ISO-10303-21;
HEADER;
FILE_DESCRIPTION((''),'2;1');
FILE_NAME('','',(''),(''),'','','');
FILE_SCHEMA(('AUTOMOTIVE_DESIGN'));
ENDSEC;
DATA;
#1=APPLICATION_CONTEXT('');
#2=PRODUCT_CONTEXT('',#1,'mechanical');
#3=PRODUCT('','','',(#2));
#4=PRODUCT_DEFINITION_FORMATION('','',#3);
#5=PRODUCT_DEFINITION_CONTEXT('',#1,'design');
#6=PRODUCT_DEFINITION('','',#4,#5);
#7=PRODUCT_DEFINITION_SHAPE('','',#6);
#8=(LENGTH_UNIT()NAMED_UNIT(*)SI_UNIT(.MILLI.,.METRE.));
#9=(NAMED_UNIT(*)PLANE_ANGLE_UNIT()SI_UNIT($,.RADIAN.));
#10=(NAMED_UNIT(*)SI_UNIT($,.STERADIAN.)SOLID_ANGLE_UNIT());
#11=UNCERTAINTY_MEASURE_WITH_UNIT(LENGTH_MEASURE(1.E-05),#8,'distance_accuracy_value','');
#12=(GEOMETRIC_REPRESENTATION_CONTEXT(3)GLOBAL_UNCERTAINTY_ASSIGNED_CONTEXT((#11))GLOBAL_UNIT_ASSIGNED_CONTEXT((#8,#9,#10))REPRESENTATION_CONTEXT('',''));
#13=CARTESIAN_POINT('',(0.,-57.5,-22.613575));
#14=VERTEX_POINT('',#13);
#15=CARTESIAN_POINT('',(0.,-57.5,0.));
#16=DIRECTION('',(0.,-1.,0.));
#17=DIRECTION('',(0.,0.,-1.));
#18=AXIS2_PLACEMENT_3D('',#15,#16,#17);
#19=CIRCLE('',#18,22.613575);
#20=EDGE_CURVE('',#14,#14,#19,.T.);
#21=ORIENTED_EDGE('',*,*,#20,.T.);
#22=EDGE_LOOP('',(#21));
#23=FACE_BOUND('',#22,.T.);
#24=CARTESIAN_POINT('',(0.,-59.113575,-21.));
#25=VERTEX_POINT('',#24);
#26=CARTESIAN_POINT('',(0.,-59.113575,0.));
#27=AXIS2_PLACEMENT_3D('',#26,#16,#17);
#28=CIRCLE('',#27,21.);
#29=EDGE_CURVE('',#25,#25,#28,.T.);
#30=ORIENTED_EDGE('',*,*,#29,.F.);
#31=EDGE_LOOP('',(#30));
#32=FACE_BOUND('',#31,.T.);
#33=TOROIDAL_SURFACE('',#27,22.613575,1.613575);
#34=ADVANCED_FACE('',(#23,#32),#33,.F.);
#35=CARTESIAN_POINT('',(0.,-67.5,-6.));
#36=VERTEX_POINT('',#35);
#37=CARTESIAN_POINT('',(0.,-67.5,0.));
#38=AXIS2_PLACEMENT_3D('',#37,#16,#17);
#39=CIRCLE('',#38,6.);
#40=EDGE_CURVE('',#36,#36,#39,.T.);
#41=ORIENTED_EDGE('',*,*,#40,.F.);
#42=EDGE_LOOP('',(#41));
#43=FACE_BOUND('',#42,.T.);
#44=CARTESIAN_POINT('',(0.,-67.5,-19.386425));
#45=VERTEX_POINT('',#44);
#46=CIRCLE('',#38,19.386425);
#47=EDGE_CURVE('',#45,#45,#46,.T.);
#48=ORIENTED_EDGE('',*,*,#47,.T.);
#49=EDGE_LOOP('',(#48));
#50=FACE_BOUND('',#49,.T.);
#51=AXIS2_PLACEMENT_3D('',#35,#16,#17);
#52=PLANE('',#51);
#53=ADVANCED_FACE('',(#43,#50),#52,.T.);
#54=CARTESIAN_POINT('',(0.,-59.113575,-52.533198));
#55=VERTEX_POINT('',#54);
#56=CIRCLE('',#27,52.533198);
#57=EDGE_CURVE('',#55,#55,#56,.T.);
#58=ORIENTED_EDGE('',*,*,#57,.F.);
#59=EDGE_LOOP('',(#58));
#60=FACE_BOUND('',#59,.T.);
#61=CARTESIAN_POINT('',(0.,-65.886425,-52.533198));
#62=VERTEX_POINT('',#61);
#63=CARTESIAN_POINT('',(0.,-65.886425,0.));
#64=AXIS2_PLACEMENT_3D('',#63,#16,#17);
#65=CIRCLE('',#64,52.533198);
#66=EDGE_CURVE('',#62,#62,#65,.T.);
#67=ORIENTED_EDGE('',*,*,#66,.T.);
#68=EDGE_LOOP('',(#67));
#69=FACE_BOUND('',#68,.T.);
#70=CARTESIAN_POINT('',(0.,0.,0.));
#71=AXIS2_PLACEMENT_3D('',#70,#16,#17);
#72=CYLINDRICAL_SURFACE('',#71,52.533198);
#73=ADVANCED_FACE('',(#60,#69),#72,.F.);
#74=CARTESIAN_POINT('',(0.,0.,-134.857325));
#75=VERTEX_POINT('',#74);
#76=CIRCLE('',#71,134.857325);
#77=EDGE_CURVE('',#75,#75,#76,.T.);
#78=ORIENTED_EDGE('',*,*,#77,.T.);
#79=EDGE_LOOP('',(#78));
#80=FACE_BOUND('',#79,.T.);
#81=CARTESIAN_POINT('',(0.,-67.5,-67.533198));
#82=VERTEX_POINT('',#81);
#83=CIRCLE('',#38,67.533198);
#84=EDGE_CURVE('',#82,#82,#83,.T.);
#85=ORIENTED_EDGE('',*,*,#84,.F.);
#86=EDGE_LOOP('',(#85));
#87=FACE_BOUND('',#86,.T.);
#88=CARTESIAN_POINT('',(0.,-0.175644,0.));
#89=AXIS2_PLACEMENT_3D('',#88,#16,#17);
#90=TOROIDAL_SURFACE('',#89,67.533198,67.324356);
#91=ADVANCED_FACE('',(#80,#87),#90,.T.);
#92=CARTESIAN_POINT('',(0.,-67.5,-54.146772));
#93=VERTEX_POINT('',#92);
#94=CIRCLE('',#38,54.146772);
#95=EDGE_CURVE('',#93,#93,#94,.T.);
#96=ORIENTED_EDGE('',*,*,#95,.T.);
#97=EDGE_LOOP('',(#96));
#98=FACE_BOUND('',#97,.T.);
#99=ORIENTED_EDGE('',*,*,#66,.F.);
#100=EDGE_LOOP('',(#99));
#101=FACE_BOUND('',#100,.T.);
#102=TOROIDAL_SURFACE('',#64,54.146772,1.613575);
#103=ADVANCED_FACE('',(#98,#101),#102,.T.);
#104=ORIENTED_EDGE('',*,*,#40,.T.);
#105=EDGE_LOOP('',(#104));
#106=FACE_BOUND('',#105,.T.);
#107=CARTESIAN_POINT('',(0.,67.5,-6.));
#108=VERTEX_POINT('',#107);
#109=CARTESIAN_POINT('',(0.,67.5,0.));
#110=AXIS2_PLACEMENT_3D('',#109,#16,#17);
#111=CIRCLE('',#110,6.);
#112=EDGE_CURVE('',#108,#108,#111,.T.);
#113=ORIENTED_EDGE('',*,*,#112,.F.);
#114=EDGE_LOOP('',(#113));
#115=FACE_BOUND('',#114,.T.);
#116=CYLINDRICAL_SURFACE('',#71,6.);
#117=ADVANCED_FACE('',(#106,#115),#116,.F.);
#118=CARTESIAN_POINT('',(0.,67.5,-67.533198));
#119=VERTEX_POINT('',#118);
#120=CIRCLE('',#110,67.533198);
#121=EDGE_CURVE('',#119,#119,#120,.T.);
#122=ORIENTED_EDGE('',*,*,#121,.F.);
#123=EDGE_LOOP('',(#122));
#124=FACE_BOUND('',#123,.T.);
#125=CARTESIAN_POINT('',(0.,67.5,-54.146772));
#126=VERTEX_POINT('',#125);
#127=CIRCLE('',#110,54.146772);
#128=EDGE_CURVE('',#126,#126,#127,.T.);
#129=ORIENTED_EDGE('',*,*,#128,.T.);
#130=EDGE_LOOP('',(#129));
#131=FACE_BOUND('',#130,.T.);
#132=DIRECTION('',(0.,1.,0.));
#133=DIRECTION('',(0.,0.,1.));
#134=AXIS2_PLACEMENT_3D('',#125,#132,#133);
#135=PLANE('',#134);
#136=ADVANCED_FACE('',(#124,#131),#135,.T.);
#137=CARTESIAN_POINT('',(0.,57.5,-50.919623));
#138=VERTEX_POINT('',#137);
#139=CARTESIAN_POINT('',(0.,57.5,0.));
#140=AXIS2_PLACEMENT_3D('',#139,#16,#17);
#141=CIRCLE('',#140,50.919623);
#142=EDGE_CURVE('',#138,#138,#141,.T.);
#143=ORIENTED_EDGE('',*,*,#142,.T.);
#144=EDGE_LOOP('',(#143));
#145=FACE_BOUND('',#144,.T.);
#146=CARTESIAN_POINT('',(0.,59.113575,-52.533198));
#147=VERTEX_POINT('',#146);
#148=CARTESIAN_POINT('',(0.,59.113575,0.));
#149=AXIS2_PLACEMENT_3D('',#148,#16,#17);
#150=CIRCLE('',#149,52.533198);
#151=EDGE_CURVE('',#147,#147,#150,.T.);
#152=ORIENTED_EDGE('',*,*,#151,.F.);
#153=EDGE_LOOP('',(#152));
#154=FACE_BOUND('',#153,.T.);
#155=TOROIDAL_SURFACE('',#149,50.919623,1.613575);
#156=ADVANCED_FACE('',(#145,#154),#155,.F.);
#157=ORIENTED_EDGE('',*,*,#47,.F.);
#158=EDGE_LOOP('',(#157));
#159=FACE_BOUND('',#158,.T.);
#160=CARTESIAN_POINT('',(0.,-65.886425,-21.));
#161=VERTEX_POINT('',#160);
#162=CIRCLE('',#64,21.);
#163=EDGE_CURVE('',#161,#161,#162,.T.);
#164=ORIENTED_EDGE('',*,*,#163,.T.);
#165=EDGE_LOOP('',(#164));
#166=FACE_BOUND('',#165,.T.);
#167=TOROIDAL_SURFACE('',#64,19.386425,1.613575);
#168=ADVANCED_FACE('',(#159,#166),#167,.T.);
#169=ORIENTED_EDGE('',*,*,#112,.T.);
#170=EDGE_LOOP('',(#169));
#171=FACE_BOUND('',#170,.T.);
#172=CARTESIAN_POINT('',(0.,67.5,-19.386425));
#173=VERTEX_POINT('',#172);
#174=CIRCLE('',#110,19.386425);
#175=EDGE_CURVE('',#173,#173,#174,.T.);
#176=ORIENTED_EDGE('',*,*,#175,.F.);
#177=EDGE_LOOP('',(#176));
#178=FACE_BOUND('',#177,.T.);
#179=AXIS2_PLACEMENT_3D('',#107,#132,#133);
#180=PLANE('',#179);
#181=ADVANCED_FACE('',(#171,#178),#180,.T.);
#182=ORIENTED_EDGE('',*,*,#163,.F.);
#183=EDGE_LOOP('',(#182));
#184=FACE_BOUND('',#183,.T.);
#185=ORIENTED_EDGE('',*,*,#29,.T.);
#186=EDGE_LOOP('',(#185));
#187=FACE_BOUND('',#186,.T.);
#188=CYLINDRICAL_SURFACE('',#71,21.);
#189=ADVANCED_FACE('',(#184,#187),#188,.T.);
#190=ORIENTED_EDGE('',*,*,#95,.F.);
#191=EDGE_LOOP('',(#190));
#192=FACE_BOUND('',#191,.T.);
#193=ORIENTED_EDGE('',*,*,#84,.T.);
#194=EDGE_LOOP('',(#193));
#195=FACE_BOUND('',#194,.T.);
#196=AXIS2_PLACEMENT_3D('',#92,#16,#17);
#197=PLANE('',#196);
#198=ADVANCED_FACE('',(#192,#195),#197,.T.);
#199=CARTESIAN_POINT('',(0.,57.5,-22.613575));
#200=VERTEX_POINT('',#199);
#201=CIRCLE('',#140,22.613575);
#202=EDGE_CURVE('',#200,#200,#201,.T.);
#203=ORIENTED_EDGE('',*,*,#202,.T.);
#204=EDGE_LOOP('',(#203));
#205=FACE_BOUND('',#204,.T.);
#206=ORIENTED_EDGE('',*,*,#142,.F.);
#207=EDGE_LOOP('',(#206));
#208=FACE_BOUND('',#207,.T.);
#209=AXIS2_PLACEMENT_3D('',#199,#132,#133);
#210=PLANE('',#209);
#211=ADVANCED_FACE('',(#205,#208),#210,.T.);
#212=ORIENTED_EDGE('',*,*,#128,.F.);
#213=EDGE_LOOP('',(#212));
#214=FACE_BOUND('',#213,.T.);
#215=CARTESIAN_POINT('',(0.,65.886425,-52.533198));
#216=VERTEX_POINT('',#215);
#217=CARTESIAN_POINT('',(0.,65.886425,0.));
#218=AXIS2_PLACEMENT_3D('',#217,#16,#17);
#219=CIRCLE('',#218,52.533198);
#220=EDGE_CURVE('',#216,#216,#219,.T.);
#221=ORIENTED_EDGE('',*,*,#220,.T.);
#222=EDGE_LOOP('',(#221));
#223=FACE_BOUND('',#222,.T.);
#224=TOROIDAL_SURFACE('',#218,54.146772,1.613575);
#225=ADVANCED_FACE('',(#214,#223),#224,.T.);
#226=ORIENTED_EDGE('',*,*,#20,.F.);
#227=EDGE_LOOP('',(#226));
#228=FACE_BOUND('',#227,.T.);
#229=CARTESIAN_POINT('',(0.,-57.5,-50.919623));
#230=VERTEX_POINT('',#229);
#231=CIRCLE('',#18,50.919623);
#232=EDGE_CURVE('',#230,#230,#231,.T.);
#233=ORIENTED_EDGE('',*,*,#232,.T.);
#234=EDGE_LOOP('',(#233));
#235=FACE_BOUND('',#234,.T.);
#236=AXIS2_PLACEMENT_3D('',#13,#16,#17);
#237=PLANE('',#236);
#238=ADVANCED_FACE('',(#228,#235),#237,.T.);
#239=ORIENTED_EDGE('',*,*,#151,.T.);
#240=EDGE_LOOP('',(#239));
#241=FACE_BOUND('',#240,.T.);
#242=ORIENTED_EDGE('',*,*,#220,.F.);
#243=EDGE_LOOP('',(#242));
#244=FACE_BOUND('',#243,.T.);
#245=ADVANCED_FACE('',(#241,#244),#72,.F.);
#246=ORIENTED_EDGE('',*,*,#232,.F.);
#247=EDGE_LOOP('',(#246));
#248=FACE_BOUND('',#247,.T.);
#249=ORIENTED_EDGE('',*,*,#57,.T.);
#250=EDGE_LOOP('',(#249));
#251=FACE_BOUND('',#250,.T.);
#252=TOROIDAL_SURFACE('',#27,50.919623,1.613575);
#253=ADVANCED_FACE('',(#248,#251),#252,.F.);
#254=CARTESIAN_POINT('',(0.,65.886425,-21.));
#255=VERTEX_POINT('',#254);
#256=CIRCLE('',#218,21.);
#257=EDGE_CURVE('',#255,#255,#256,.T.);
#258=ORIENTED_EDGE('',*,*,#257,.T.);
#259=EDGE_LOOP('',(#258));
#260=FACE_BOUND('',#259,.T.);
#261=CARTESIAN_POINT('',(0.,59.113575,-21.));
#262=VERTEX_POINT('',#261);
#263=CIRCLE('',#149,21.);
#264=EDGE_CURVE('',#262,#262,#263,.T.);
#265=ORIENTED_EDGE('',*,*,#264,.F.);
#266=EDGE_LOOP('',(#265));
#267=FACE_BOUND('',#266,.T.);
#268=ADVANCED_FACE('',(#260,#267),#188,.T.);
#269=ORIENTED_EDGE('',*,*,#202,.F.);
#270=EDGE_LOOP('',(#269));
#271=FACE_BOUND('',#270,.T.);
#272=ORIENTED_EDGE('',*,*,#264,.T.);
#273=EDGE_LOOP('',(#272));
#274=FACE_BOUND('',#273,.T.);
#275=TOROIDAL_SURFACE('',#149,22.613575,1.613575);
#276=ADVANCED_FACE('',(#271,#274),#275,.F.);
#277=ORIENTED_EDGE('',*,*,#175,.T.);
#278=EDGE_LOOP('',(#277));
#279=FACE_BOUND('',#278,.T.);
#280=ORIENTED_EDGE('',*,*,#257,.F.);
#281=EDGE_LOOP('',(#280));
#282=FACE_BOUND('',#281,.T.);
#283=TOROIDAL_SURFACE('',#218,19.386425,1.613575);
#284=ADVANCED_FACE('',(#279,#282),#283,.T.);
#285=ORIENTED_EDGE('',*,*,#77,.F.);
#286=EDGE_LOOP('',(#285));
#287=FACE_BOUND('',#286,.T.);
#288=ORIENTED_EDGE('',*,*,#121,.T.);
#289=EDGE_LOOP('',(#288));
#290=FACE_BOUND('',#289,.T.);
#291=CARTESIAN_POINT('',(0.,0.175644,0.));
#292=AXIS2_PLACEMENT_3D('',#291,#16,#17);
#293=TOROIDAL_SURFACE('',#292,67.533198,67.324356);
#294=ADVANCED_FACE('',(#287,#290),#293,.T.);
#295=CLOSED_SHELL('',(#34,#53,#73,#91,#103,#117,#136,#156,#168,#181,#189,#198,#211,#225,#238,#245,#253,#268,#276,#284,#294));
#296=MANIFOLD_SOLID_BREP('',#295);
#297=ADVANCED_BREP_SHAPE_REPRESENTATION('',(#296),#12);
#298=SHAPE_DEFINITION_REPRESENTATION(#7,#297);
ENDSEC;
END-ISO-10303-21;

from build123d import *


with BuildPart() as part:
    # Sketch3 → Revolve1 (revolve)
    with BuildSketch(Plane(origin=(0, 0, 0), x_dir=(0, 0, -1), z_dir=(1, 0, 0))):
        with BuildLine():
            Line((6, -67.5), (6, 67.5))
            Line((6, 67.5), (19.386425262, 67.5))
            ThreePointArc((19.386425262, 67.5), (20.527394901, 67.027394901), (21, 65.886425262))
            Line((21, 65.886425262), (21, 59.113574738))
            ThreePointArc((21, 59.113574738), (21.472605099, 57.972605099), (22.613574738, 57.5))
            Line((22.613574738, 57.5), (50.919622929, 57.5))
            ThreePointArc((50.919622929, 57.5), (52.060592569, 57.972605099), (52.533197668, 59.113574738))
            Line((52.533197668, 59.113574738), (52.533197668, 65.886425262))
            ThreePointArc((52.533197668, 65.886425262), (53.005802767, 67.027394901), (54.146772406, 67.5))
            Line((54.146772406, 67.5), (67.533197668, 67.5))
            ThreePointArc((67.533197668, 67.5), (115.200765467, 47.719012588), (134.857324693, 0))
            ThreePointArc((134.857324693, 0), (115.200765467, -47.719012588), (67.533197668, -67.5))
            Line((67.533197668, -67.5), (54.146772406, -67.5))
            ThreePointArc((54.146772406, -67.5), (53.005802767, -67.027394901), (52.533197668, -65.886425262))
            Line((52.533197668, -65.886425262), (52.533197668, -59.113574738))
            ThreePointArc((52.533197668, -59.113574738), (52.060592569, -57.972605099), (50.919622929, -57.5))
            Line((50.919622929, -57.5), (22.613574738, -57.5))
            ThreePointArc((22.613574738, -57.5), (21.472605099, -57.972605099), (21, -59.113574738))
            Line((21, -59.113574738), (21, -65.886425262))
            ThreePointArc((21, -65.886425262), (20.527394901, -67.027394901), (19.386425262, -67.5))
            Line((19.386425262, -67.5), (6, -67.5))
        make_face()
    revolve(axis=Axis((0, 0, 0), (0, 1, 0)))


solid = part.part
